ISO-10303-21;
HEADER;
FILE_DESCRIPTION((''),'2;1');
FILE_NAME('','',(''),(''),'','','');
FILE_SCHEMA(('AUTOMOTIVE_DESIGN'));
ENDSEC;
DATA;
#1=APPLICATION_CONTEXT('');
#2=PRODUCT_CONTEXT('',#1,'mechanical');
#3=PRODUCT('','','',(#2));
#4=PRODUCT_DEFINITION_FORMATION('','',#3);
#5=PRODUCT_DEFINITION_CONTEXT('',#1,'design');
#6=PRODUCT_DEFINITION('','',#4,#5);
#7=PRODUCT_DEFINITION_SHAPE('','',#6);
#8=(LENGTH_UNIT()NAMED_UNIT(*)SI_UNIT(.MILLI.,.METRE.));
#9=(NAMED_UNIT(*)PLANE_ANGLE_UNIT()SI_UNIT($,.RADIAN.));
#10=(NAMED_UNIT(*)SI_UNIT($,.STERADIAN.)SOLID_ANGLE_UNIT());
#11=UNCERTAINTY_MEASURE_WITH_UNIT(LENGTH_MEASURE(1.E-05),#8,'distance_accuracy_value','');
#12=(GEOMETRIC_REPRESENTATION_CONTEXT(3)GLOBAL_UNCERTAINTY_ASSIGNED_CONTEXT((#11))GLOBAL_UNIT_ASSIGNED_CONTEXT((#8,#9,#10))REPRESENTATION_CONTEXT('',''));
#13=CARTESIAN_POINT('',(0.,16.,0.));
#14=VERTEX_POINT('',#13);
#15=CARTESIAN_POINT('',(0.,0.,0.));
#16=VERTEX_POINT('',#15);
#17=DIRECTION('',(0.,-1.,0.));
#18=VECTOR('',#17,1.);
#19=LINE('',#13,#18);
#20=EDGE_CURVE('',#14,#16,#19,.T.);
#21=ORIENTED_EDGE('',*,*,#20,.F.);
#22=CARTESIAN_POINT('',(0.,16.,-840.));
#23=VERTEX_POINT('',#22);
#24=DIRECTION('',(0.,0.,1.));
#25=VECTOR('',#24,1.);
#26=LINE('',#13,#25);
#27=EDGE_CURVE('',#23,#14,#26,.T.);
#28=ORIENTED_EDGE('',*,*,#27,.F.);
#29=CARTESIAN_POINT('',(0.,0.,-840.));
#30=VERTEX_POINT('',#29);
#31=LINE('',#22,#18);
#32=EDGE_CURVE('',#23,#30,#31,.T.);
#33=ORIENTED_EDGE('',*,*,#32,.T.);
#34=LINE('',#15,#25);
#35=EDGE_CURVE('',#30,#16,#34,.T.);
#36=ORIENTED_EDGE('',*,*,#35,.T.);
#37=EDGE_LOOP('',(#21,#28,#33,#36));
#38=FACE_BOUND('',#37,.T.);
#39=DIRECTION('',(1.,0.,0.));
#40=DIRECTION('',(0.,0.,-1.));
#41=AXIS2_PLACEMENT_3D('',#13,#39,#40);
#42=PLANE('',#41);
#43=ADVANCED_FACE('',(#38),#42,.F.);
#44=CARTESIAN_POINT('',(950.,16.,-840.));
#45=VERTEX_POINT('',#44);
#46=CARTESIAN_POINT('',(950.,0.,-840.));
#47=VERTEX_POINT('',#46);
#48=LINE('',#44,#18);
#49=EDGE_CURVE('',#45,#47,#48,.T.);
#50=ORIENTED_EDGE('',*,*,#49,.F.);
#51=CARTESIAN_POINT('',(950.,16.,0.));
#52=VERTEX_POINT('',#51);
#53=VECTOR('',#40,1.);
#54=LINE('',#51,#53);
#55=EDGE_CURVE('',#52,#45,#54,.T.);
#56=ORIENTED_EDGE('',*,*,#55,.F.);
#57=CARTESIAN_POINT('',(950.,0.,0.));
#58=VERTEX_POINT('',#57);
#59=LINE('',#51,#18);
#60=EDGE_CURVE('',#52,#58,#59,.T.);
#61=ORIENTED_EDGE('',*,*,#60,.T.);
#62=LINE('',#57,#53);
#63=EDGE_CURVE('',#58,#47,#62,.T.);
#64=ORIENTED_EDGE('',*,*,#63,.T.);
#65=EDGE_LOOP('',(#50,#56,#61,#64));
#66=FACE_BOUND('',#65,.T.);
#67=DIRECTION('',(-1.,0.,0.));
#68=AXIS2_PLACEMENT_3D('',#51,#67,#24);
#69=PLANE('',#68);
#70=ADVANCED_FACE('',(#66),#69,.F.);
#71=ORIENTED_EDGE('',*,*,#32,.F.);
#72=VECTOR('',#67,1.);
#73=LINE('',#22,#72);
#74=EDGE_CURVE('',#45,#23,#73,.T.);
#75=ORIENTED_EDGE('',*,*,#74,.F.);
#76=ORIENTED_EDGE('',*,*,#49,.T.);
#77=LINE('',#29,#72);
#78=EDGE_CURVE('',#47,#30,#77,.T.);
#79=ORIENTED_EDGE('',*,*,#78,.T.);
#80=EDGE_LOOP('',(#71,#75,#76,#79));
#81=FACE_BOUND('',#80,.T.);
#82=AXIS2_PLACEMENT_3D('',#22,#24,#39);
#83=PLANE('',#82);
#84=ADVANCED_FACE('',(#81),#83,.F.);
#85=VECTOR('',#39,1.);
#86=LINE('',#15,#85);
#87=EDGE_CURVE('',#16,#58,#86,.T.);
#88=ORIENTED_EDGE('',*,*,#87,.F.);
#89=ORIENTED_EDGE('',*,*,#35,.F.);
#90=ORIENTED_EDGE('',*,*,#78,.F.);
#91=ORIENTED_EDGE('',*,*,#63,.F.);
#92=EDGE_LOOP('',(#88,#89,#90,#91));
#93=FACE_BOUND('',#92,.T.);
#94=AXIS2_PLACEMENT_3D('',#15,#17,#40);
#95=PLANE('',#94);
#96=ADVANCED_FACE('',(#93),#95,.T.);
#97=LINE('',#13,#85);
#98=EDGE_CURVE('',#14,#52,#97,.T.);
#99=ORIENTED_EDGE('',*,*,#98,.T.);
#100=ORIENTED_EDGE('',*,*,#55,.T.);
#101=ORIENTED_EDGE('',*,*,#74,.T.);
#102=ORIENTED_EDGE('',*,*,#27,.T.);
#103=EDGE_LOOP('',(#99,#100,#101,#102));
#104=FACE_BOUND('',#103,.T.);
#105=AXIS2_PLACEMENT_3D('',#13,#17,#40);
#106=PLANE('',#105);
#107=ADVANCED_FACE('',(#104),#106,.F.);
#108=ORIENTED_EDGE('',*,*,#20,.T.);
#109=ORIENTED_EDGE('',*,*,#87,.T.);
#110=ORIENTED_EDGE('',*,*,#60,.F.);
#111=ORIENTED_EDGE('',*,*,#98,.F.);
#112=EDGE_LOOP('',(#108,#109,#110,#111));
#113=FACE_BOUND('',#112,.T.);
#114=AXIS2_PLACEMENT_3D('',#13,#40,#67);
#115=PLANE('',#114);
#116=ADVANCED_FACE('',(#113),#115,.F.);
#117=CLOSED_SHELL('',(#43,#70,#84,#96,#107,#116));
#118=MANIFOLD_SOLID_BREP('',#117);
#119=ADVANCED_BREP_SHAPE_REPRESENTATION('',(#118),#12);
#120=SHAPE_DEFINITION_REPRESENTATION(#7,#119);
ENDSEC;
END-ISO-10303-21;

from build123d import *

# Parameters (mm, degrees)
SKETCH1_W           = 950
SKETCH1_H           = 840
BOSS_EXTRUDE1_DEPTH = 16


with BuildPart() as part:
    # Sketch1 → Boss-Extrude1 (new body)
    with BuildSketch(Plane(origin=(0, 0, 0), x_dir=(1, 0, 0), z_dir=(0, 1, 0))):
        with Locations((475, 420)):
            Rectangle(SKETCH1_W, SKETCH1_H)
    extrude(amount=BOSS_EXTRUDE1_DEPTH)


solid = part.part
